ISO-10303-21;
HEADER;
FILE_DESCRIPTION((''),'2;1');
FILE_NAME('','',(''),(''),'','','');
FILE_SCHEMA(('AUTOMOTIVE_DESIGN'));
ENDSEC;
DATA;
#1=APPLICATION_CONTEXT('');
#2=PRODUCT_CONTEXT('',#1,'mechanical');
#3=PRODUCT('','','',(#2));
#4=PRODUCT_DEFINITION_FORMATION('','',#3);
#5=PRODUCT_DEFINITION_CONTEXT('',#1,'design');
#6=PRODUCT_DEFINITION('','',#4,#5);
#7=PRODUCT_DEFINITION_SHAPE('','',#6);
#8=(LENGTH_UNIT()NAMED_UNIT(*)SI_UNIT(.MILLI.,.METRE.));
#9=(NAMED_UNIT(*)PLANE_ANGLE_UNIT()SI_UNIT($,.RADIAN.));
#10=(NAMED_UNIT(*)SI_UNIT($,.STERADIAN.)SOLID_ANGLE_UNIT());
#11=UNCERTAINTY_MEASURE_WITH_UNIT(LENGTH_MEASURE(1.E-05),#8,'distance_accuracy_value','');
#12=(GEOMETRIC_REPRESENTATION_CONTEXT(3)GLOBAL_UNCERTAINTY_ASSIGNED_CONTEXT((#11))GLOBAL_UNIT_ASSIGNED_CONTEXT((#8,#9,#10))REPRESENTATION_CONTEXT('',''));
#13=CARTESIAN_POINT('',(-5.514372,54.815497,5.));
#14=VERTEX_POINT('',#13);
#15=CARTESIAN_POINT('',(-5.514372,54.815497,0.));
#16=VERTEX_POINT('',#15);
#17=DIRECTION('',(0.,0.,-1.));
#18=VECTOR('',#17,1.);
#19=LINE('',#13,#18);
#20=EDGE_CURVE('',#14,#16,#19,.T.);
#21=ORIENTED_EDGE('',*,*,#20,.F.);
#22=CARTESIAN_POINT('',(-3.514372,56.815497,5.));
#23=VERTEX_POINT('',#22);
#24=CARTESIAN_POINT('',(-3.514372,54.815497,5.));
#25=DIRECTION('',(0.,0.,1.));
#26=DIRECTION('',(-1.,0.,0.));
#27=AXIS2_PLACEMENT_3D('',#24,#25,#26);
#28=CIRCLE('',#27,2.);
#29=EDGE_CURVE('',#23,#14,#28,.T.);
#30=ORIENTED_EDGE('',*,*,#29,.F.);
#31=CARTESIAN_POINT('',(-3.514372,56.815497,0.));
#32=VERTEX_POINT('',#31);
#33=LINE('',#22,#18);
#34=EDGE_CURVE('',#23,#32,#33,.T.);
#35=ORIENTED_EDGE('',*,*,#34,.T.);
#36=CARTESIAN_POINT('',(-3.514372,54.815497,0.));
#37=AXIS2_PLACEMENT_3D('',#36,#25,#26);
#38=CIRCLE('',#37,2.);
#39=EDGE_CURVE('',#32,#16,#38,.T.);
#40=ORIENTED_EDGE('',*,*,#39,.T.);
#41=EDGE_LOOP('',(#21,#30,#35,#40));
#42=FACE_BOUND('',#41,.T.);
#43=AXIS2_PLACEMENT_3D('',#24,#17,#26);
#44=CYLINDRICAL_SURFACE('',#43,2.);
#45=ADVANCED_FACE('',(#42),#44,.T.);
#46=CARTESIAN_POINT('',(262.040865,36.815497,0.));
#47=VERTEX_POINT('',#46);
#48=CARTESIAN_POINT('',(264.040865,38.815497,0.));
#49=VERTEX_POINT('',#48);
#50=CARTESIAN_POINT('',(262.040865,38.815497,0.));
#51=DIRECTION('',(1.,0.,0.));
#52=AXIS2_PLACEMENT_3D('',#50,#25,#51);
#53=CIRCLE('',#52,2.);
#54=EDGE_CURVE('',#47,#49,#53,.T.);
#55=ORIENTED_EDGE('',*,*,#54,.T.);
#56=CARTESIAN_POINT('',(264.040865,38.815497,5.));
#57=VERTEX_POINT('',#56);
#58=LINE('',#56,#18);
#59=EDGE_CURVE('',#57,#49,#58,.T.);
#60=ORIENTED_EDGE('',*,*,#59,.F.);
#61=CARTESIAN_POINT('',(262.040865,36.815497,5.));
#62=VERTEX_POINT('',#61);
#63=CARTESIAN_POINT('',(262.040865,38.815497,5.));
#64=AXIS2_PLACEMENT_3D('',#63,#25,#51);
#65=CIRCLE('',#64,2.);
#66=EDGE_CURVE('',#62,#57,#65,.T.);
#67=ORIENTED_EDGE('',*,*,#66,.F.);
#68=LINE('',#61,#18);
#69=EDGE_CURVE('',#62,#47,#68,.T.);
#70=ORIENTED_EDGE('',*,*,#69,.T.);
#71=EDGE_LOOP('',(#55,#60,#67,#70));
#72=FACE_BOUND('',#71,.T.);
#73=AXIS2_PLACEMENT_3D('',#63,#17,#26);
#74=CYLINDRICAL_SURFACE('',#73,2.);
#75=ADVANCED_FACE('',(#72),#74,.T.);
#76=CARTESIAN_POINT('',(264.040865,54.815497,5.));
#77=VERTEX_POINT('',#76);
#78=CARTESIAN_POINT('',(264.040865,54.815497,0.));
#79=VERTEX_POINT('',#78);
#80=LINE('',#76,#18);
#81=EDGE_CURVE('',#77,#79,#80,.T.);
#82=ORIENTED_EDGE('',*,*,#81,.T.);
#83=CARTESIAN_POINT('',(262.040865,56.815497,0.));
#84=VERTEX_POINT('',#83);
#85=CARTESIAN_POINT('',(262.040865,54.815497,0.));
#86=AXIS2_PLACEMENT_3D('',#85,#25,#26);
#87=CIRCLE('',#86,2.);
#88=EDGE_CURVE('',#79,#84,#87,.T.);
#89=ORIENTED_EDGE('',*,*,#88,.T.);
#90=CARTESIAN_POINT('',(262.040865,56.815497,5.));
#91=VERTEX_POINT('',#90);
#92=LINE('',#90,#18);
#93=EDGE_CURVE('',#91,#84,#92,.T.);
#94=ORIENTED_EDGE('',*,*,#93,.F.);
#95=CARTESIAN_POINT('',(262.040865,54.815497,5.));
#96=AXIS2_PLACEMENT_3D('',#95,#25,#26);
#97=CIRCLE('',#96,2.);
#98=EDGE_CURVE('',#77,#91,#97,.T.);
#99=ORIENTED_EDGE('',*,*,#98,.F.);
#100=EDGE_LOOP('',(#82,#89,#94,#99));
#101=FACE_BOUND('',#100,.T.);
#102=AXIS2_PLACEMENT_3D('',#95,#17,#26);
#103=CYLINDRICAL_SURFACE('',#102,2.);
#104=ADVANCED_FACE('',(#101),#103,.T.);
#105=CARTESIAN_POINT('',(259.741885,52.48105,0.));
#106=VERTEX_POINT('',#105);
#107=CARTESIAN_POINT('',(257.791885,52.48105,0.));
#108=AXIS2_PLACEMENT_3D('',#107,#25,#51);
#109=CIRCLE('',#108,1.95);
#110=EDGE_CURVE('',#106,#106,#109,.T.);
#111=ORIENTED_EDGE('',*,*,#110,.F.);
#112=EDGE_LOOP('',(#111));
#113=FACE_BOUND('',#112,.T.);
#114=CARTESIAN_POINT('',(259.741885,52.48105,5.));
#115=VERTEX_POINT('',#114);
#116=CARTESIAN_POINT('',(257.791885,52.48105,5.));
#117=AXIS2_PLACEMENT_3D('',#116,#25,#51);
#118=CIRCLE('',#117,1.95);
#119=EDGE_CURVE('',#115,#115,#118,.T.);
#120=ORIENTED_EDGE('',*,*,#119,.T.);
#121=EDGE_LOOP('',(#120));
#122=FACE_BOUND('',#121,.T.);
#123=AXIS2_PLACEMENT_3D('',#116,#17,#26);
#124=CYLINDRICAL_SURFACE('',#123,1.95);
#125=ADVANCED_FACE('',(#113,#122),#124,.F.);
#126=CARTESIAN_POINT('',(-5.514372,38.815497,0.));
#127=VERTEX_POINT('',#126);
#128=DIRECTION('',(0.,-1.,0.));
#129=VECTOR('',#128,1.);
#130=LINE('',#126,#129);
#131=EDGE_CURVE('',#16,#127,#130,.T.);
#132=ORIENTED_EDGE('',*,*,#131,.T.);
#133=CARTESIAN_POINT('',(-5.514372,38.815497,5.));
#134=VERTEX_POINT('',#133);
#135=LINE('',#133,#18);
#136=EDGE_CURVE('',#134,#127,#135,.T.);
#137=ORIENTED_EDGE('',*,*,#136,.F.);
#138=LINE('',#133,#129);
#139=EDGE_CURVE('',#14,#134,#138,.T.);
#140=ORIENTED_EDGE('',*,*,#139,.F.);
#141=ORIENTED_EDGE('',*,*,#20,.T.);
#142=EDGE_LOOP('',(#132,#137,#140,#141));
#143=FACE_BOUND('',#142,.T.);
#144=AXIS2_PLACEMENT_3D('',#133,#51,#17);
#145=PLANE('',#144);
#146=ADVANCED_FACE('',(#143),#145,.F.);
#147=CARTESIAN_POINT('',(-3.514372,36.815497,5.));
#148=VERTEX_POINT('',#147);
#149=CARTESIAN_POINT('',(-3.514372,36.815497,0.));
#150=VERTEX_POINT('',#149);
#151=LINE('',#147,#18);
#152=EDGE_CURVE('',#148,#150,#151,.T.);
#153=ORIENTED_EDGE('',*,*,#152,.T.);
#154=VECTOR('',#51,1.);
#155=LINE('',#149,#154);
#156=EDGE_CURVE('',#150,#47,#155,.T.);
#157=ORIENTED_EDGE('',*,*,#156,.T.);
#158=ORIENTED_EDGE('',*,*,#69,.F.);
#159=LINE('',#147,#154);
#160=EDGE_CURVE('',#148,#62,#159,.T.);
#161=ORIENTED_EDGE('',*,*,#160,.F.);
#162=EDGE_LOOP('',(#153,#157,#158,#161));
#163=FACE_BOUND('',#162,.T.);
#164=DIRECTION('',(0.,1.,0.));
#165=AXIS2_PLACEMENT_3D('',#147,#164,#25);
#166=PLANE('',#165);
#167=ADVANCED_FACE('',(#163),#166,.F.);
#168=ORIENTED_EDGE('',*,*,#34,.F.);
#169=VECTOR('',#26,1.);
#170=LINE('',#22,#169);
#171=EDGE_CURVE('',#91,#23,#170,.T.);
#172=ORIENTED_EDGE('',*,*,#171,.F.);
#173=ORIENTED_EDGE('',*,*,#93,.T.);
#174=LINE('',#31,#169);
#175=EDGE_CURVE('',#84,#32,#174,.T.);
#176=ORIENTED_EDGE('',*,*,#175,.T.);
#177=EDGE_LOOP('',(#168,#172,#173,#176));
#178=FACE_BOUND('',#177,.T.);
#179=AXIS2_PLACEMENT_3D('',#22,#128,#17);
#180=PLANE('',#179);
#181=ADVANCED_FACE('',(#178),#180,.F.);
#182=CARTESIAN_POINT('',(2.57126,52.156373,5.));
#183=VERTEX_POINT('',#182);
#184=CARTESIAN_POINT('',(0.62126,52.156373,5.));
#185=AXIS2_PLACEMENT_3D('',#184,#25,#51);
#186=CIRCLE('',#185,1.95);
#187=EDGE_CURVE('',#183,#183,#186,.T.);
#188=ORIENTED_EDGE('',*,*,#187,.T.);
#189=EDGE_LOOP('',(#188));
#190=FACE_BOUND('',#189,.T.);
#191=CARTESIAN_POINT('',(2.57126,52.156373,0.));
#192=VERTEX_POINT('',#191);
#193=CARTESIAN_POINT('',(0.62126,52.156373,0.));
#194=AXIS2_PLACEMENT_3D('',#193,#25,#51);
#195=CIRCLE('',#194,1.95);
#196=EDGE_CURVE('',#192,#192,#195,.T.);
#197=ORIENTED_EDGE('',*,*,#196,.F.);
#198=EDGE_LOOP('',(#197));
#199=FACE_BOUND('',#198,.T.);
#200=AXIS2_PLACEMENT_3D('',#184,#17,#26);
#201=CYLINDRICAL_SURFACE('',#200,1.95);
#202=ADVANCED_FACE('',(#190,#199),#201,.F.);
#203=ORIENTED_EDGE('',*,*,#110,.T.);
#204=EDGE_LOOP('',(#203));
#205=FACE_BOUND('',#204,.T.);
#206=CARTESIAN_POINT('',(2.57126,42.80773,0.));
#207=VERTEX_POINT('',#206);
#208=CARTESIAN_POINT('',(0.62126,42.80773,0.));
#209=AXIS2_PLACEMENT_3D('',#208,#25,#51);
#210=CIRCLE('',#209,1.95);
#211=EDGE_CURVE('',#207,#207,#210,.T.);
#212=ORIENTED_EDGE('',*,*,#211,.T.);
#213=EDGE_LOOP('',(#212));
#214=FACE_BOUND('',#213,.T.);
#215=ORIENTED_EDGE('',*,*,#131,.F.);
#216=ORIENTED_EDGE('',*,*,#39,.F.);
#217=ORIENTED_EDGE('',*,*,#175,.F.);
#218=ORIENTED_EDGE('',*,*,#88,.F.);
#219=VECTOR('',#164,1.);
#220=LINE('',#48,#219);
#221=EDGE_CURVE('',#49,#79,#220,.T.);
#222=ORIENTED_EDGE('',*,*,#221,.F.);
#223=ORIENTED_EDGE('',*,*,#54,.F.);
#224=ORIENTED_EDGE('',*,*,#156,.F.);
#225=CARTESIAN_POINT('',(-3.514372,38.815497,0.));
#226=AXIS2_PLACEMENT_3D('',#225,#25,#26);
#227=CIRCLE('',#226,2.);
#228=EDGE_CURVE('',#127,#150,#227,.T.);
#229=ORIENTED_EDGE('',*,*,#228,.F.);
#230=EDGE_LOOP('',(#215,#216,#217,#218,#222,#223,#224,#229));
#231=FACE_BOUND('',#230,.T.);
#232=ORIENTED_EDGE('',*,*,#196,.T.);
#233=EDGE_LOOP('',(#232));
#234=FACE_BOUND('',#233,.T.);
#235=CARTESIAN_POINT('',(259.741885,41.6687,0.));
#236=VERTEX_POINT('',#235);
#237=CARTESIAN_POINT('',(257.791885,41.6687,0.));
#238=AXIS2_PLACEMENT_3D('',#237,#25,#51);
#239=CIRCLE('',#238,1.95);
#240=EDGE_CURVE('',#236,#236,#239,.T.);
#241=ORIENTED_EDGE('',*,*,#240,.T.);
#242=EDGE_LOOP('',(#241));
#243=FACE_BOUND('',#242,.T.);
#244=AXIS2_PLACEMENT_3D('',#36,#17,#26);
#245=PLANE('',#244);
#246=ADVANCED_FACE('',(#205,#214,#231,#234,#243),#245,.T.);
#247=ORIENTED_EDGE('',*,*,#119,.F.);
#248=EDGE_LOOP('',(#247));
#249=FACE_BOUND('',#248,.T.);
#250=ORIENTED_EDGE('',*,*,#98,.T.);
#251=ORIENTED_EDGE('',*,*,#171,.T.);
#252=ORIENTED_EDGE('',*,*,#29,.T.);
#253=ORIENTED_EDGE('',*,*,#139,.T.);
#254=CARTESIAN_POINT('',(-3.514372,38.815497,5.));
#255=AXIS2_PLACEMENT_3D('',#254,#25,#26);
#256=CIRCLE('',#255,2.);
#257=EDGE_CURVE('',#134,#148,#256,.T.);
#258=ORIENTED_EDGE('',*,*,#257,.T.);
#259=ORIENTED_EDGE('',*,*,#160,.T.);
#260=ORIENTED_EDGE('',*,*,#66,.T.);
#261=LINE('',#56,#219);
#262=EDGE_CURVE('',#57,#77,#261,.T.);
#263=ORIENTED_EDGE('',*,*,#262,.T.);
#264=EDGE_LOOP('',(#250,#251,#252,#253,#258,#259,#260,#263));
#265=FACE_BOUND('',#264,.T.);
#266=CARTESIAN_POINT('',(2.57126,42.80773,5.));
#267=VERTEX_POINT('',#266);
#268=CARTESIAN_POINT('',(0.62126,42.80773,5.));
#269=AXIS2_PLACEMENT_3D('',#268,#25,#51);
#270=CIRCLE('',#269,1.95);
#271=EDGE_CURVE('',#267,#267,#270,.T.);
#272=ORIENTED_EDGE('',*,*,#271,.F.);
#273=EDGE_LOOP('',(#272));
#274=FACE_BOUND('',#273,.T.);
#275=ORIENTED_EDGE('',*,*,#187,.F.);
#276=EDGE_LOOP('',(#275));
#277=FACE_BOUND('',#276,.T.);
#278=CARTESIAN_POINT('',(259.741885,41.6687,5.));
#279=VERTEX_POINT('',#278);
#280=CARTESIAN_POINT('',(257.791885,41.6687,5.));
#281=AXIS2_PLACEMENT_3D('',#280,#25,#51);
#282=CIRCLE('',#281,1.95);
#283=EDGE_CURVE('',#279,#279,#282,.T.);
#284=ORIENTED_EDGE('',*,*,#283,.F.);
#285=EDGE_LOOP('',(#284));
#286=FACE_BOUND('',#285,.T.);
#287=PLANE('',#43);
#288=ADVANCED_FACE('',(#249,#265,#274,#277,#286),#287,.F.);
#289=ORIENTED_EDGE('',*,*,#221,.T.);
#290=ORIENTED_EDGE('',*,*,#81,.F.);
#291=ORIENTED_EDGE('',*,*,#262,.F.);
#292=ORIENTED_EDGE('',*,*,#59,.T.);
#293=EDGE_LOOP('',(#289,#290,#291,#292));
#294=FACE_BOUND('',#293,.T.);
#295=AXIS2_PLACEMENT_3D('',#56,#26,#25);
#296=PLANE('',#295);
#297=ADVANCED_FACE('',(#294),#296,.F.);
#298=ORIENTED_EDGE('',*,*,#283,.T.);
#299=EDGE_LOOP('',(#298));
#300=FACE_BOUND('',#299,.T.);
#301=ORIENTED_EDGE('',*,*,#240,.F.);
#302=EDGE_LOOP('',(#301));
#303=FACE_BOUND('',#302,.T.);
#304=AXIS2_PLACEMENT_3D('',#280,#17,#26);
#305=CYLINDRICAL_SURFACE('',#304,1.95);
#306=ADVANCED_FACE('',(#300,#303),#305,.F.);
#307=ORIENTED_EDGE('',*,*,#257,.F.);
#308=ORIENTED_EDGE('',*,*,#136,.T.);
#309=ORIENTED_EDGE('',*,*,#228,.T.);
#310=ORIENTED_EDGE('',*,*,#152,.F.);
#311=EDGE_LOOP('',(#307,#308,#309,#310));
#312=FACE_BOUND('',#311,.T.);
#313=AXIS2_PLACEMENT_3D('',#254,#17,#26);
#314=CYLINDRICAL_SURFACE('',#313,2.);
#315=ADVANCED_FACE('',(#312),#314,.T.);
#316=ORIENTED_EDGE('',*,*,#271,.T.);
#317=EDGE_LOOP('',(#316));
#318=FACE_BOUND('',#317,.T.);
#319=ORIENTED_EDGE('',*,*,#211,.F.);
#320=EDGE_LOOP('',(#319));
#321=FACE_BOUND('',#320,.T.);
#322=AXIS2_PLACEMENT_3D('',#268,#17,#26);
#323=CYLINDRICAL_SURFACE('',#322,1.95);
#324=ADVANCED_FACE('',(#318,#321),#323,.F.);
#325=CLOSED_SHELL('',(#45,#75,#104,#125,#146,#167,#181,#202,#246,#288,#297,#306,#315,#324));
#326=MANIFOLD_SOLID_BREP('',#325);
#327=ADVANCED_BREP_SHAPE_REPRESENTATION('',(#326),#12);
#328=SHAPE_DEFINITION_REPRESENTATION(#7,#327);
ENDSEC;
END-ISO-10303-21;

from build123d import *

# Parameters (mm, degrees)
SKETCH1_R           = 1.95
BOSS_EXTRUDE1_DEPTH = 5


with BuildPart() as part:
    # Sketch1 → Boss-Extrude1 (new body)
    with BuildSketch(Plane.XY):
        with BuildLine():
            Line((-3.514372136, 36.815496517), (262.040865352, 36.815496517))
            ThreePointArc((262.040865352, 36.815496517), (263.455078915, 37.401282955), (264.040865352, 38.815496517))
            Line((264.040865352, 38.815496517), (264.040865352, 54.815496517))
            ThreePointArc((264.040865352, 54.815496517), (263.455078915, 56.229710079), (262.040865352, 56.815496517))
            Line((262.040865352, 56.815496517), (-3.514372136, 56.815496517))
            ThreePointArc((-3.514372136, 56.815496517), (-4.928585698, 56.229710079), (-5.514372136, 54.815496517))
            Line((-5.514372136, 54.815496517), (-5.514372136, 38.815496517))
            ThreePointArc((-5.514372136, 38.815496517), (-4.928585698, 37.401282955), (-3.514372136, 36.815496517))
        make_face()
        with Locations((0.62126005, 42.807729827)):
            Circle(SKETCH1_R, mode=Mode.SUBTRACT)
        with Locations((0.62126005, 52.156372628)):
            Circle(SKETCH1_R, mode=Mode.SUBTRACT)
        with Locations((257.791885291, 41.668699963)):
            Circle(SKETCH1_R, mode=Mode.SUBTRACT)
        with Locations((257.791885291, 52.481050085)):
            Circle(SKETCH1_R, mode=Mode.SUBTRACT)
    extrude(amount=BOSS_EXTRUDE1_DEPTH)


solid = part.part
